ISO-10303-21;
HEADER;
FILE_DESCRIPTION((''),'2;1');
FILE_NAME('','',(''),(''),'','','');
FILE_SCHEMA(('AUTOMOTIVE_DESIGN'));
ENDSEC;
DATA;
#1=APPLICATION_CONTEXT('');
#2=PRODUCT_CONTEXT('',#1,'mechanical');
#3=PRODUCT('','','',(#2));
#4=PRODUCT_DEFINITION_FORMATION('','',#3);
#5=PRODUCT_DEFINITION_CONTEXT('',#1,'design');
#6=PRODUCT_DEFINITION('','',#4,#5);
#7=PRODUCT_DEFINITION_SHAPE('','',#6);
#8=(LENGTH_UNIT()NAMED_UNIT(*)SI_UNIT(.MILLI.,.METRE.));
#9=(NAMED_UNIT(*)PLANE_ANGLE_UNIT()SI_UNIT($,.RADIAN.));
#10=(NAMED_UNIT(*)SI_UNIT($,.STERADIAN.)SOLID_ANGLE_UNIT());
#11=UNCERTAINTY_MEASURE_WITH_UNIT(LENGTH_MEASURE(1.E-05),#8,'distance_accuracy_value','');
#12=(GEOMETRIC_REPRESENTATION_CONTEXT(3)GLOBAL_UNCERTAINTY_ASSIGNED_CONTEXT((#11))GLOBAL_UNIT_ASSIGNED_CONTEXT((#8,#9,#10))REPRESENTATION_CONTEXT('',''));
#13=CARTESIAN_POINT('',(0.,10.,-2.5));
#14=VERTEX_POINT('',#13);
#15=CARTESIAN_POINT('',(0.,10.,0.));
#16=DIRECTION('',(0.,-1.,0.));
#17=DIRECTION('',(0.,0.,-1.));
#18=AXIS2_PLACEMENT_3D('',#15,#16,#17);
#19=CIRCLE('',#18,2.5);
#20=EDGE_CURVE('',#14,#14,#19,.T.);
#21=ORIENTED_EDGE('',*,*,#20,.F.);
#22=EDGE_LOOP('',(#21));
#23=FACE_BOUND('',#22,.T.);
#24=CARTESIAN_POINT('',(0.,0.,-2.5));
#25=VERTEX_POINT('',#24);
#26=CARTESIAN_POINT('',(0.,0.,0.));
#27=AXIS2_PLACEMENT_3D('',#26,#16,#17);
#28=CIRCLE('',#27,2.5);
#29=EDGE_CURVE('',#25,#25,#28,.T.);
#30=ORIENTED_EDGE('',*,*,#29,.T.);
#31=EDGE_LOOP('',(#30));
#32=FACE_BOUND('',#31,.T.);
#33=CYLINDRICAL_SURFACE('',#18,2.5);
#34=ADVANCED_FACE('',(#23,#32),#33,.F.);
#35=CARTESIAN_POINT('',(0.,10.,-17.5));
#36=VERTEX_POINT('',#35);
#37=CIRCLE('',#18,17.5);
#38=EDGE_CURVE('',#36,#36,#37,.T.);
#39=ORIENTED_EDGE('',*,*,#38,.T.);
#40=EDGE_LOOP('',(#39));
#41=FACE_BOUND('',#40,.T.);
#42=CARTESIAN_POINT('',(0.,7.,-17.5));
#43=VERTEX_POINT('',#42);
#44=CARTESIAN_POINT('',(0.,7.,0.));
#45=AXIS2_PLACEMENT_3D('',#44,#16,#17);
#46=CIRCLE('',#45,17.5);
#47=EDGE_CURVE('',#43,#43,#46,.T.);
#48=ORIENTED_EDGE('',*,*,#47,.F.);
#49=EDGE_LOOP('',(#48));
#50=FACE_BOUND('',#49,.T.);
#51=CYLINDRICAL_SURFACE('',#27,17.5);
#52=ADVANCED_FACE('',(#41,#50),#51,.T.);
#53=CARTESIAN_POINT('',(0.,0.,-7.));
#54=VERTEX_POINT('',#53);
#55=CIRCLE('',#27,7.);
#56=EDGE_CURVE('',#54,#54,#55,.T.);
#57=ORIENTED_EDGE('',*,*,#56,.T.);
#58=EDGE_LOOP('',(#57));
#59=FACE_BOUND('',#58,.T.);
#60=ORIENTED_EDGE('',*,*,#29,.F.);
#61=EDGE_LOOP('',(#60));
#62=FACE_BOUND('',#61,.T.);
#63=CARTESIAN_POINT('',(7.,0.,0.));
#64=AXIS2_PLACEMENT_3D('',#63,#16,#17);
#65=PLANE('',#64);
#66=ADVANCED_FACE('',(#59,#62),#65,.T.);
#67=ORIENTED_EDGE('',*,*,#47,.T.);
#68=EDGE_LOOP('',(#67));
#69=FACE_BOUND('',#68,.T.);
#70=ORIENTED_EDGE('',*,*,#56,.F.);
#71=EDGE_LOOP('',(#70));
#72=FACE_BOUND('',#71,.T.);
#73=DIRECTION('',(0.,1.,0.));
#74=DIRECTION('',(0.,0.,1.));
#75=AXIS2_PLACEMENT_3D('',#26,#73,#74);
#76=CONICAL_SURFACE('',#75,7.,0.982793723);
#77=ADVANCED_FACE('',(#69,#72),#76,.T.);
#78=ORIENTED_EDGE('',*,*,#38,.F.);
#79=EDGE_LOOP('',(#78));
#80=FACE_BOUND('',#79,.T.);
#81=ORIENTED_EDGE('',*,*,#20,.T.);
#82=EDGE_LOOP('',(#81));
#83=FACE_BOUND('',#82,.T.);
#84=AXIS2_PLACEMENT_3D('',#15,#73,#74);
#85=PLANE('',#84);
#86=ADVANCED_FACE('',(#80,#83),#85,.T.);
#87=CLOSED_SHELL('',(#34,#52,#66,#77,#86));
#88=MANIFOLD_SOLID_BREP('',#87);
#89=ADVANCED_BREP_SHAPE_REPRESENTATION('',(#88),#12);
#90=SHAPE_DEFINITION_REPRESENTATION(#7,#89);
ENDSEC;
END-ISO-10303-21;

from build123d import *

# Parameters (mm, degrees)
SKETCH10_R         = 2.5
CUT_EXTRUDE1_DEPTH = 11


with BuildPart() as part:
    # Sketch1 → Revolve1 (revolve)
    with BuildSketch(Plane.XY):
        Polygon((0, 0), (0, 10), (17.5, 10), (17.5, 7), (7, 0), align=None)
    revolve(axis=Axis((0, 0, 0), (0, 1, 0)))

    # Sketch10 → Cut-Extrude1 (cut, through all)
    with BuildSketch(Plane.XZ):
        Circle(SKETCH10_R)
    extrude(amount=-CUT_EXTRUDE1_DEPTH, mode=Mode.SUBTRACT)


solid = part.part
